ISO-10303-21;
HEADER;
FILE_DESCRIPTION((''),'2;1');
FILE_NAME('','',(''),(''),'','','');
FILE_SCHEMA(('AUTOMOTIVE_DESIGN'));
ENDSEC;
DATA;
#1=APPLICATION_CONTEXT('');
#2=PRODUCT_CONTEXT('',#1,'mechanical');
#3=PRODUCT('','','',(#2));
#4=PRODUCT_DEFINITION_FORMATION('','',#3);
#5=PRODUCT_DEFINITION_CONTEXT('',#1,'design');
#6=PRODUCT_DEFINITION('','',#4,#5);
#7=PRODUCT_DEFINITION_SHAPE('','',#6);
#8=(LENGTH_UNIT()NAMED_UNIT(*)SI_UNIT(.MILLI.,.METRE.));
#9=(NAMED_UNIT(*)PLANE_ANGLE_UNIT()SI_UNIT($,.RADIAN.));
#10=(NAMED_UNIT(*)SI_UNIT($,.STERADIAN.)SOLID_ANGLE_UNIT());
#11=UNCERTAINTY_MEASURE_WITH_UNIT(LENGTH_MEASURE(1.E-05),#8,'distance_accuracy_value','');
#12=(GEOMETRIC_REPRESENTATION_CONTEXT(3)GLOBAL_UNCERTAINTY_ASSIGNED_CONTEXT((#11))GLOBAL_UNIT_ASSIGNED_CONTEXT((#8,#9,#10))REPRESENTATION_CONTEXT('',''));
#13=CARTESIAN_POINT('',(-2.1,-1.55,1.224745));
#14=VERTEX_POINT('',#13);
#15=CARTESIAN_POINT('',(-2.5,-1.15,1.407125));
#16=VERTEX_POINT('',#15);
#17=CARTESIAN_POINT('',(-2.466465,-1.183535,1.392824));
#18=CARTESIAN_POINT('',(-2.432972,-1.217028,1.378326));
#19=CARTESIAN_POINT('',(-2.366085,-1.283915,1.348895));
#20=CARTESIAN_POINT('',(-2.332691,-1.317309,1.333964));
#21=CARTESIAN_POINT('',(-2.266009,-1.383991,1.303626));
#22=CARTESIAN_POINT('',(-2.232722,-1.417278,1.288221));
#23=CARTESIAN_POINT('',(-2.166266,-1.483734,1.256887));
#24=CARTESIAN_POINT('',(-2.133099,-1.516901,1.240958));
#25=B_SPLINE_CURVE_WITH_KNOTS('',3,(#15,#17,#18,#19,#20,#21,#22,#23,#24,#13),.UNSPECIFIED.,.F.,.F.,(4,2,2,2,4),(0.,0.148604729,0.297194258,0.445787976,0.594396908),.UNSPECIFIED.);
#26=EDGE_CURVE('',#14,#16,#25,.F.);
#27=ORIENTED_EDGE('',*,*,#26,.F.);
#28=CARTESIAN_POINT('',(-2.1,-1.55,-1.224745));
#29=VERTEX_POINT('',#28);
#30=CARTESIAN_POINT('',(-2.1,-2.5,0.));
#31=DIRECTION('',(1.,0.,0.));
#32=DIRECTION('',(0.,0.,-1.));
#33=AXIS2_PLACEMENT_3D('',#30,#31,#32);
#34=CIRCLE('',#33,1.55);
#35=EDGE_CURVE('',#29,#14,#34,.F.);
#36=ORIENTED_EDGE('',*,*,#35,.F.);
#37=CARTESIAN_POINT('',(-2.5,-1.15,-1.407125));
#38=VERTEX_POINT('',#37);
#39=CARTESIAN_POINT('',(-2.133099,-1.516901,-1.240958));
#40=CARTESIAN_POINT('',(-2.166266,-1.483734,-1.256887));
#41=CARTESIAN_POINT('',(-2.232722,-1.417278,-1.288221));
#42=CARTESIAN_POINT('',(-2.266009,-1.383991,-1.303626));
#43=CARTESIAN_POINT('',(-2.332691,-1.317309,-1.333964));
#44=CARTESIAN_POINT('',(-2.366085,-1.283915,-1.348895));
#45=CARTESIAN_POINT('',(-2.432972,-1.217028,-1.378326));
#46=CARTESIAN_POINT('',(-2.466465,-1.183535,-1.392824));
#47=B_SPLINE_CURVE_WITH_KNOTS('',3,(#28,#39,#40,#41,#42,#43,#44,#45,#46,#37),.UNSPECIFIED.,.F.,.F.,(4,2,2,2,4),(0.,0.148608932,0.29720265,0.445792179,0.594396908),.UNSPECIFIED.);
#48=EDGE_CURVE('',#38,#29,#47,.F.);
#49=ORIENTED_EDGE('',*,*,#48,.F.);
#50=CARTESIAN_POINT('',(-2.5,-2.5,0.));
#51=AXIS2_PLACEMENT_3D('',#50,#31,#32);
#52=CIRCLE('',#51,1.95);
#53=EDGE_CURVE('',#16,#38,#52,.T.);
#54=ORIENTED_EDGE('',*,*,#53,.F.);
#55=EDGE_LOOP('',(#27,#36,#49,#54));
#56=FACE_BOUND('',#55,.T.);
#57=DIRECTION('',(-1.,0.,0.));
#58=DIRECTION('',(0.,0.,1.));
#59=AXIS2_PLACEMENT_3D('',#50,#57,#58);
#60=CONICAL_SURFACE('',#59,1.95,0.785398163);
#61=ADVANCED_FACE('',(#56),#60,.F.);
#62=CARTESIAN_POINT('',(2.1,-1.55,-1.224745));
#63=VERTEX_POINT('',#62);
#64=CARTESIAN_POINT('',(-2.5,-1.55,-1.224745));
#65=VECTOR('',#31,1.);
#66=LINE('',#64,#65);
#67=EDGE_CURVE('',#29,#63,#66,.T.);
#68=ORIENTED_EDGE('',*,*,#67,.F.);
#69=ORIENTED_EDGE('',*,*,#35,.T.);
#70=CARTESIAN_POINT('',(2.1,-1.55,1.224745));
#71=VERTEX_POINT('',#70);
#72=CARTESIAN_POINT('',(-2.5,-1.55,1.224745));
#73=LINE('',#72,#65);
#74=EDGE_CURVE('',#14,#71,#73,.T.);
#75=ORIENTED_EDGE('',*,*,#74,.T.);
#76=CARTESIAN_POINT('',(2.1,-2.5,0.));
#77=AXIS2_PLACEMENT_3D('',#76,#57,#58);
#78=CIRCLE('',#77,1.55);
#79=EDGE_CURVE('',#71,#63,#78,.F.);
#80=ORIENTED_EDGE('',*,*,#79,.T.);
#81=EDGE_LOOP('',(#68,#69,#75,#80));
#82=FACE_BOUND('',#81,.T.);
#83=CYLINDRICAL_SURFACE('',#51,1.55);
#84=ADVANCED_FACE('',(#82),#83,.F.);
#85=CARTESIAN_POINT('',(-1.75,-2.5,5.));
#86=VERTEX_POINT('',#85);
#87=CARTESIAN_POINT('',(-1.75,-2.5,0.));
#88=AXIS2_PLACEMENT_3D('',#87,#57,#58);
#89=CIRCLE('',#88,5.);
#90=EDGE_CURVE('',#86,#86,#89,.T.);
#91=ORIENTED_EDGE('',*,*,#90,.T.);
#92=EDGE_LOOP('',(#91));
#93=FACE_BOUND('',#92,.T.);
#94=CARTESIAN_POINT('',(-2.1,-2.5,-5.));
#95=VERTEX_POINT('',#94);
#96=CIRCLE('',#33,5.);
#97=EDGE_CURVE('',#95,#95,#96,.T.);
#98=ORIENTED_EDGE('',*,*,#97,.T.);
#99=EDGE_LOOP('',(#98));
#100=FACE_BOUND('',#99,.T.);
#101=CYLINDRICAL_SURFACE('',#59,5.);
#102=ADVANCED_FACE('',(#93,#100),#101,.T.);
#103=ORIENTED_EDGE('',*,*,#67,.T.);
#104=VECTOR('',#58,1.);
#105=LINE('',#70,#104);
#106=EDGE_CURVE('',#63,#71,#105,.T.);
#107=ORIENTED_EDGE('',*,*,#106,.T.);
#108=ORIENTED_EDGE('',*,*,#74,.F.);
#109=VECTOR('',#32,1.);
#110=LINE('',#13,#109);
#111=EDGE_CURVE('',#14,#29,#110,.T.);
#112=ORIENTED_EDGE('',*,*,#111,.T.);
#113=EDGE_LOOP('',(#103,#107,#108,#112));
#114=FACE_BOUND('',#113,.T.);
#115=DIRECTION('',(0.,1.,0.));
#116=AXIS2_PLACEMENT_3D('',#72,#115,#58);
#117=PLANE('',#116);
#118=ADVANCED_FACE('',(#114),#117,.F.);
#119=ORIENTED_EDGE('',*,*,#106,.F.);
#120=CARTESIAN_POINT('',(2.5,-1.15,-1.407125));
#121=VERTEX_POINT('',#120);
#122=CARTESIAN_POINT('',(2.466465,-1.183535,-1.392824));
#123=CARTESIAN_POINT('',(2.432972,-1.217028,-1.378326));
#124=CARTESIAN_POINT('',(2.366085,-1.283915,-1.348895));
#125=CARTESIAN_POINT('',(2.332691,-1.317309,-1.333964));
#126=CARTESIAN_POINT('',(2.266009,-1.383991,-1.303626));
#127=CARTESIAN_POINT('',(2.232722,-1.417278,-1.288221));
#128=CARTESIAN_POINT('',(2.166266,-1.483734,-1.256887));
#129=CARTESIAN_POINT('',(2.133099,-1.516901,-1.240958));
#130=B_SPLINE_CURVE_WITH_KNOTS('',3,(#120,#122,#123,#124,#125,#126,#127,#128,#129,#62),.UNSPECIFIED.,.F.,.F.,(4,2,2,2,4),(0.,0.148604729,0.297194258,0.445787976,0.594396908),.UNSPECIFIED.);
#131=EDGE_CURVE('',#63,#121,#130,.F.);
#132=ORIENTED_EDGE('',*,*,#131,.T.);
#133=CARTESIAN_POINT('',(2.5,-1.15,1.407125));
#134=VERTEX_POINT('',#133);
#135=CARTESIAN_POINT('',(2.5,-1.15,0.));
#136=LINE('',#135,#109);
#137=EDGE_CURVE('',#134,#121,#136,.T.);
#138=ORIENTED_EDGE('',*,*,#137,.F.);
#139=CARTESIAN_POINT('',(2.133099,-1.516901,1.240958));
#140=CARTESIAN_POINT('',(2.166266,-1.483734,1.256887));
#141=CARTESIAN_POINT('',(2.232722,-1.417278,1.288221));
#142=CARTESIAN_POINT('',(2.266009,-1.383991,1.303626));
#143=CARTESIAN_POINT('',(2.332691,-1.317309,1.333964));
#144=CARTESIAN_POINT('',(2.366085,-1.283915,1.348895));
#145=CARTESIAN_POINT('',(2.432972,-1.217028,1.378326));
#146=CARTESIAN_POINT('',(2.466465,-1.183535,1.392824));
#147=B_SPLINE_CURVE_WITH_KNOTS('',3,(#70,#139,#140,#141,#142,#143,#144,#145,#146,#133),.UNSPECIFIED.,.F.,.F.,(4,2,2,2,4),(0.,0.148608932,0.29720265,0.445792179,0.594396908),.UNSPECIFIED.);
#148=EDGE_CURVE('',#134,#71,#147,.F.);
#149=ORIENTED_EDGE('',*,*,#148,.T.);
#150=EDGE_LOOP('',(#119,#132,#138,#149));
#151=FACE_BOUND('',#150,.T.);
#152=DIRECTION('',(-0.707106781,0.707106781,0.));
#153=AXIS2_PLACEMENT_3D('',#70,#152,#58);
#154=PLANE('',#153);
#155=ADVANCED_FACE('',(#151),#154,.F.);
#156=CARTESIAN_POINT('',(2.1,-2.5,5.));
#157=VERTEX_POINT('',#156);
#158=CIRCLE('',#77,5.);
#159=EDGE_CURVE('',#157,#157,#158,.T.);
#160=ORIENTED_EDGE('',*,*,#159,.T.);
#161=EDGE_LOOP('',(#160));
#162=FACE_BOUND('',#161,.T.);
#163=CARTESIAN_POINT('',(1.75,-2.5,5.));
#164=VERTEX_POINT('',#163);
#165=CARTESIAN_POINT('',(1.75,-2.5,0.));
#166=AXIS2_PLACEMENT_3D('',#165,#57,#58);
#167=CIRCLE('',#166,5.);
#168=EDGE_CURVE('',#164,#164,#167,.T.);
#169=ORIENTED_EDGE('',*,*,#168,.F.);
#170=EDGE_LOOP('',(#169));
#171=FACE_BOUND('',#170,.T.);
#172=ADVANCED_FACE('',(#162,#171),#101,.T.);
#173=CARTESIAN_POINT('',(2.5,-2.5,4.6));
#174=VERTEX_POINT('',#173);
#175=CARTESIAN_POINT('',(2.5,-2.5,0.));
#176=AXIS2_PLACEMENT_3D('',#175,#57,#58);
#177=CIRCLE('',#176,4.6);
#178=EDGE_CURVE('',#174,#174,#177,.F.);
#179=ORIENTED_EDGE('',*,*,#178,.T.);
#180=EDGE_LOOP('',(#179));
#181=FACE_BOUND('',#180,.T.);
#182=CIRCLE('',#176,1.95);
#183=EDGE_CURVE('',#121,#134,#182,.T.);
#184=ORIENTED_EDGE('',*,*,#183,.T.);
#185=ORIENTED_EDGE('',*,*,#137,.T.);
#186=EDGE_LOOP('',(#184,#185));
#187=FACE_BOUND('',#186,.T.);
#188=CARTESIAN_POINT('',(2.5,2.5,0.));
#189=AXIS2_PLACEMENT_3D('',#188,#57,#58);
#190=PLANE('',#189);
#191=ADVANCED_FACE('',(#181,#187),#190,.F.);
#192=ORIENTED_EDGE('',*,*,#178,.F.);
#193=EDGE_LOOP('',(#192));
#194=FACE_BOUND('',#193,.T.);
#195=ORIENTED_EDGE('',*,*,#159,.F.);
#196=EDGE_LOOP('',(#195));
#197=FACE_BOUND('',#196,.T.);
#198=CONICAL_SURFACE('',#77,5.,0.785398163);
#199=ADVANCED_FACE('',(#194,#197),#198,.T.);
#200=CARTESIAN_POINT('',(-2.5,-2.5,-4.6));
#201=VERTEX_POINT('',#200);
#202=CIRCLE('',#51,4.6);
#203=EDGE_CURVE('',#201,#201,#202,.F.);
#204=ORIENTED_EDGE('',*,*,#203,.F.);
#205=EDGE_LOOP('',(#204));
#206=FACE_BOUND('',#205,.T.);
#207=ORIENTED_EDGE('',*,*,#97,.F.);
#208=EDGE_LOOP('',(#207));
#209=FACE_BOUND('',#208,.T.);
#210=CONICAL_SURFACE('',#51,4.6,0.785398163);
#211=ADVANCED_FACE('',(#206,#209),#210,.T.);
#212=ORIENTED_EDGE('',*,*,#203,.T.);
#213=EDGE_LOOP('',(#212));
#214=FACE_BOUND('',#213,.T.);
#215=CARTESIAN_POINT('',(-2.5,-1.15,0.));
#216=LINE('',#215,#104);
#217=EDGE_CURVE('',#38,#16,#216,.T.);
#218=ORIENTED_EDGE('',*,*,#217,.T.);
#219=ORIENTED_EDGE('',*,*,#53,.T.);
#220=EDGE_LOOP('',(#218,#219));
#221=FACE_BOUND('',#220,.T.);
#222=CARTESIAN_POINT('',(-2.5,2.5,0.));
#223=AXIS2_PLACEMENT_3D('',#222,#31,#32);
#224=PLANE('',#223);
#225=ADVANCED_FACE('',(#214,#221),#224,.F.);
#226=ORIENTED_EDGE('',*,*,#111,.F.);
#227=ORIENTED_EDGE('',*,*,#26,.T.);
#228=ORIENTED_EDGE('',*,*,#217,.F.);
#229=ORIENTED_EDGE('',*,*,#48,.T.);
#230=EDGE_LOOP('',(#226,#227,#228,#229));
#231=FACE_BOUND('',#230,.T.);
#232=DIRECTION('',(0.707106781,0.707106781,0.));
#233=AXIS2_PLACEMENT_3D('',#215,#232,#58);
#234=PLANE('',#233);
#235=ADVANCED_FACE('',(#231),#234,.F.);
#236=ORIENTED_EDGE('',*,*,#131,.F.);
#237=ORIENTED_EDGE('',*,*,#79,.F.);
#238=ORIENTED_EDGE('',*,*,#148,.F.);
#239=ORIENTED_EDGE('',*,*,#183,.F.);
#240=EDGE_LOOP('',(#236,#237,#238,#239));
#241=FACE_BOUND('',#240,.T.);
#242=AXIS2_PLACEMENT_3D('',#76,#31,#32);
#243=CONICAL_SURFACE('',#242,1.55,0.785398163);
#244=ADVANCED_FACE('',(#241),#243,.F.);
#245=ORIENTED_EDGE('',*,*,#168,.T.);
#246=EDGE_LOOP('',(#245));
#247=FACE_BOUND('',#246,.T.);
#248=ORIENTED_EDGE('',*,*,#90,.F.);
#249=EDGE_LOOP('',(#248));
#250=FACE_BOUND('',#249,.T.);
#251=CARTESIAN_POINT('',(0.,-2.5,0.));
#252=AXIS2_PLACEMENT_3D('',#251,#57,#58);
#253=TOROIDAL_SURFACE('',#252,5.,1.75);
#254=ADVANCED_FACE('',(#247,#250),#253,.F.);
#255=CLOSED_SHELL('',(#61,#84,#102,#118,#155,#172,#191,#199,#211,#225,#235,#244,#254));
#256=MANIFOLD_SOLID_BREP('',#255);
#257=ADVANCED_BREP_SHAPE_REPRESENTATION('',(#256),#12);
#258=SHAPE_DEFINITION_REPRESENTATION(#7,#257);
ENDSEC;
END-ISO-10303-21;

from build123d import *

# Parameters (mm, degrees)
CUT_EXTRUDE1_DEPTH = 11.307764064
CHAMFER1_SIZE      = 0.4


with BuildPart() as part:
    # Sketch1 → Revolve1 (revolve)
    with BuildSketch(Plane.XY, mode=Mode.PRIVATE) as revolve1_sk:
        with BuildLine():
            Line((1.75, 2.5), (2.5, 2.5))
            Line((2.5, 2.5), (2.5, -2.5))
            Line((2.5, -2.5), (-2.5, -2.5))
            Line((-2.5, -2.5), (-2.5, 2.5))
            Line((-2.5, 2.5), (-1.75, 2.5))
            ThreePointArc((-1.75, 2.5), (0, 0.75), (1.75, 2.5))
        make_face()
    revolve(revolve1_sk.sketch.rotate(Axis((-2.5, -2.5, 0), (1, 0, 0)), 90), axis=Axis((-2.5, -2.5, 0), (1, 0, 0)))

    # Sketch2 → Cut-Extrude1 (cut, through all)
    with BuildSketch(Plane(origin=(2.5, 0, 0), x_dir=(0, 0, -1), z_dir=(1, 0, 0))):
        with BuildLine():
            Line((-1.224744871, -1.55), (1.224744871, -1.55))
            ThreePointArc((1.224744871, -1.55), (0, -4.05), (-1.224744871, -1.55))
        make_face()
    extrude(amount=-CUT_EXTRUDE1_DEPTH, mode=Mode.SUBTRACT)

    # Chamfer1
    chamfer1_edges = [part.edges().sort_by_distance(p)[0] for p in [
        (-2.5, -4.05, 0),
        (-2.5, -1.55, 0),
        (2.5, -4.05, 0),
        (2.5, -1.55, 0),
        (-2.5, -2.5, -5),
        (2.5, -2.5, -5),
    ]]
    chamfer(chamfer1_edges, length=CHAMFER1_SIZE)


solid = part.part
